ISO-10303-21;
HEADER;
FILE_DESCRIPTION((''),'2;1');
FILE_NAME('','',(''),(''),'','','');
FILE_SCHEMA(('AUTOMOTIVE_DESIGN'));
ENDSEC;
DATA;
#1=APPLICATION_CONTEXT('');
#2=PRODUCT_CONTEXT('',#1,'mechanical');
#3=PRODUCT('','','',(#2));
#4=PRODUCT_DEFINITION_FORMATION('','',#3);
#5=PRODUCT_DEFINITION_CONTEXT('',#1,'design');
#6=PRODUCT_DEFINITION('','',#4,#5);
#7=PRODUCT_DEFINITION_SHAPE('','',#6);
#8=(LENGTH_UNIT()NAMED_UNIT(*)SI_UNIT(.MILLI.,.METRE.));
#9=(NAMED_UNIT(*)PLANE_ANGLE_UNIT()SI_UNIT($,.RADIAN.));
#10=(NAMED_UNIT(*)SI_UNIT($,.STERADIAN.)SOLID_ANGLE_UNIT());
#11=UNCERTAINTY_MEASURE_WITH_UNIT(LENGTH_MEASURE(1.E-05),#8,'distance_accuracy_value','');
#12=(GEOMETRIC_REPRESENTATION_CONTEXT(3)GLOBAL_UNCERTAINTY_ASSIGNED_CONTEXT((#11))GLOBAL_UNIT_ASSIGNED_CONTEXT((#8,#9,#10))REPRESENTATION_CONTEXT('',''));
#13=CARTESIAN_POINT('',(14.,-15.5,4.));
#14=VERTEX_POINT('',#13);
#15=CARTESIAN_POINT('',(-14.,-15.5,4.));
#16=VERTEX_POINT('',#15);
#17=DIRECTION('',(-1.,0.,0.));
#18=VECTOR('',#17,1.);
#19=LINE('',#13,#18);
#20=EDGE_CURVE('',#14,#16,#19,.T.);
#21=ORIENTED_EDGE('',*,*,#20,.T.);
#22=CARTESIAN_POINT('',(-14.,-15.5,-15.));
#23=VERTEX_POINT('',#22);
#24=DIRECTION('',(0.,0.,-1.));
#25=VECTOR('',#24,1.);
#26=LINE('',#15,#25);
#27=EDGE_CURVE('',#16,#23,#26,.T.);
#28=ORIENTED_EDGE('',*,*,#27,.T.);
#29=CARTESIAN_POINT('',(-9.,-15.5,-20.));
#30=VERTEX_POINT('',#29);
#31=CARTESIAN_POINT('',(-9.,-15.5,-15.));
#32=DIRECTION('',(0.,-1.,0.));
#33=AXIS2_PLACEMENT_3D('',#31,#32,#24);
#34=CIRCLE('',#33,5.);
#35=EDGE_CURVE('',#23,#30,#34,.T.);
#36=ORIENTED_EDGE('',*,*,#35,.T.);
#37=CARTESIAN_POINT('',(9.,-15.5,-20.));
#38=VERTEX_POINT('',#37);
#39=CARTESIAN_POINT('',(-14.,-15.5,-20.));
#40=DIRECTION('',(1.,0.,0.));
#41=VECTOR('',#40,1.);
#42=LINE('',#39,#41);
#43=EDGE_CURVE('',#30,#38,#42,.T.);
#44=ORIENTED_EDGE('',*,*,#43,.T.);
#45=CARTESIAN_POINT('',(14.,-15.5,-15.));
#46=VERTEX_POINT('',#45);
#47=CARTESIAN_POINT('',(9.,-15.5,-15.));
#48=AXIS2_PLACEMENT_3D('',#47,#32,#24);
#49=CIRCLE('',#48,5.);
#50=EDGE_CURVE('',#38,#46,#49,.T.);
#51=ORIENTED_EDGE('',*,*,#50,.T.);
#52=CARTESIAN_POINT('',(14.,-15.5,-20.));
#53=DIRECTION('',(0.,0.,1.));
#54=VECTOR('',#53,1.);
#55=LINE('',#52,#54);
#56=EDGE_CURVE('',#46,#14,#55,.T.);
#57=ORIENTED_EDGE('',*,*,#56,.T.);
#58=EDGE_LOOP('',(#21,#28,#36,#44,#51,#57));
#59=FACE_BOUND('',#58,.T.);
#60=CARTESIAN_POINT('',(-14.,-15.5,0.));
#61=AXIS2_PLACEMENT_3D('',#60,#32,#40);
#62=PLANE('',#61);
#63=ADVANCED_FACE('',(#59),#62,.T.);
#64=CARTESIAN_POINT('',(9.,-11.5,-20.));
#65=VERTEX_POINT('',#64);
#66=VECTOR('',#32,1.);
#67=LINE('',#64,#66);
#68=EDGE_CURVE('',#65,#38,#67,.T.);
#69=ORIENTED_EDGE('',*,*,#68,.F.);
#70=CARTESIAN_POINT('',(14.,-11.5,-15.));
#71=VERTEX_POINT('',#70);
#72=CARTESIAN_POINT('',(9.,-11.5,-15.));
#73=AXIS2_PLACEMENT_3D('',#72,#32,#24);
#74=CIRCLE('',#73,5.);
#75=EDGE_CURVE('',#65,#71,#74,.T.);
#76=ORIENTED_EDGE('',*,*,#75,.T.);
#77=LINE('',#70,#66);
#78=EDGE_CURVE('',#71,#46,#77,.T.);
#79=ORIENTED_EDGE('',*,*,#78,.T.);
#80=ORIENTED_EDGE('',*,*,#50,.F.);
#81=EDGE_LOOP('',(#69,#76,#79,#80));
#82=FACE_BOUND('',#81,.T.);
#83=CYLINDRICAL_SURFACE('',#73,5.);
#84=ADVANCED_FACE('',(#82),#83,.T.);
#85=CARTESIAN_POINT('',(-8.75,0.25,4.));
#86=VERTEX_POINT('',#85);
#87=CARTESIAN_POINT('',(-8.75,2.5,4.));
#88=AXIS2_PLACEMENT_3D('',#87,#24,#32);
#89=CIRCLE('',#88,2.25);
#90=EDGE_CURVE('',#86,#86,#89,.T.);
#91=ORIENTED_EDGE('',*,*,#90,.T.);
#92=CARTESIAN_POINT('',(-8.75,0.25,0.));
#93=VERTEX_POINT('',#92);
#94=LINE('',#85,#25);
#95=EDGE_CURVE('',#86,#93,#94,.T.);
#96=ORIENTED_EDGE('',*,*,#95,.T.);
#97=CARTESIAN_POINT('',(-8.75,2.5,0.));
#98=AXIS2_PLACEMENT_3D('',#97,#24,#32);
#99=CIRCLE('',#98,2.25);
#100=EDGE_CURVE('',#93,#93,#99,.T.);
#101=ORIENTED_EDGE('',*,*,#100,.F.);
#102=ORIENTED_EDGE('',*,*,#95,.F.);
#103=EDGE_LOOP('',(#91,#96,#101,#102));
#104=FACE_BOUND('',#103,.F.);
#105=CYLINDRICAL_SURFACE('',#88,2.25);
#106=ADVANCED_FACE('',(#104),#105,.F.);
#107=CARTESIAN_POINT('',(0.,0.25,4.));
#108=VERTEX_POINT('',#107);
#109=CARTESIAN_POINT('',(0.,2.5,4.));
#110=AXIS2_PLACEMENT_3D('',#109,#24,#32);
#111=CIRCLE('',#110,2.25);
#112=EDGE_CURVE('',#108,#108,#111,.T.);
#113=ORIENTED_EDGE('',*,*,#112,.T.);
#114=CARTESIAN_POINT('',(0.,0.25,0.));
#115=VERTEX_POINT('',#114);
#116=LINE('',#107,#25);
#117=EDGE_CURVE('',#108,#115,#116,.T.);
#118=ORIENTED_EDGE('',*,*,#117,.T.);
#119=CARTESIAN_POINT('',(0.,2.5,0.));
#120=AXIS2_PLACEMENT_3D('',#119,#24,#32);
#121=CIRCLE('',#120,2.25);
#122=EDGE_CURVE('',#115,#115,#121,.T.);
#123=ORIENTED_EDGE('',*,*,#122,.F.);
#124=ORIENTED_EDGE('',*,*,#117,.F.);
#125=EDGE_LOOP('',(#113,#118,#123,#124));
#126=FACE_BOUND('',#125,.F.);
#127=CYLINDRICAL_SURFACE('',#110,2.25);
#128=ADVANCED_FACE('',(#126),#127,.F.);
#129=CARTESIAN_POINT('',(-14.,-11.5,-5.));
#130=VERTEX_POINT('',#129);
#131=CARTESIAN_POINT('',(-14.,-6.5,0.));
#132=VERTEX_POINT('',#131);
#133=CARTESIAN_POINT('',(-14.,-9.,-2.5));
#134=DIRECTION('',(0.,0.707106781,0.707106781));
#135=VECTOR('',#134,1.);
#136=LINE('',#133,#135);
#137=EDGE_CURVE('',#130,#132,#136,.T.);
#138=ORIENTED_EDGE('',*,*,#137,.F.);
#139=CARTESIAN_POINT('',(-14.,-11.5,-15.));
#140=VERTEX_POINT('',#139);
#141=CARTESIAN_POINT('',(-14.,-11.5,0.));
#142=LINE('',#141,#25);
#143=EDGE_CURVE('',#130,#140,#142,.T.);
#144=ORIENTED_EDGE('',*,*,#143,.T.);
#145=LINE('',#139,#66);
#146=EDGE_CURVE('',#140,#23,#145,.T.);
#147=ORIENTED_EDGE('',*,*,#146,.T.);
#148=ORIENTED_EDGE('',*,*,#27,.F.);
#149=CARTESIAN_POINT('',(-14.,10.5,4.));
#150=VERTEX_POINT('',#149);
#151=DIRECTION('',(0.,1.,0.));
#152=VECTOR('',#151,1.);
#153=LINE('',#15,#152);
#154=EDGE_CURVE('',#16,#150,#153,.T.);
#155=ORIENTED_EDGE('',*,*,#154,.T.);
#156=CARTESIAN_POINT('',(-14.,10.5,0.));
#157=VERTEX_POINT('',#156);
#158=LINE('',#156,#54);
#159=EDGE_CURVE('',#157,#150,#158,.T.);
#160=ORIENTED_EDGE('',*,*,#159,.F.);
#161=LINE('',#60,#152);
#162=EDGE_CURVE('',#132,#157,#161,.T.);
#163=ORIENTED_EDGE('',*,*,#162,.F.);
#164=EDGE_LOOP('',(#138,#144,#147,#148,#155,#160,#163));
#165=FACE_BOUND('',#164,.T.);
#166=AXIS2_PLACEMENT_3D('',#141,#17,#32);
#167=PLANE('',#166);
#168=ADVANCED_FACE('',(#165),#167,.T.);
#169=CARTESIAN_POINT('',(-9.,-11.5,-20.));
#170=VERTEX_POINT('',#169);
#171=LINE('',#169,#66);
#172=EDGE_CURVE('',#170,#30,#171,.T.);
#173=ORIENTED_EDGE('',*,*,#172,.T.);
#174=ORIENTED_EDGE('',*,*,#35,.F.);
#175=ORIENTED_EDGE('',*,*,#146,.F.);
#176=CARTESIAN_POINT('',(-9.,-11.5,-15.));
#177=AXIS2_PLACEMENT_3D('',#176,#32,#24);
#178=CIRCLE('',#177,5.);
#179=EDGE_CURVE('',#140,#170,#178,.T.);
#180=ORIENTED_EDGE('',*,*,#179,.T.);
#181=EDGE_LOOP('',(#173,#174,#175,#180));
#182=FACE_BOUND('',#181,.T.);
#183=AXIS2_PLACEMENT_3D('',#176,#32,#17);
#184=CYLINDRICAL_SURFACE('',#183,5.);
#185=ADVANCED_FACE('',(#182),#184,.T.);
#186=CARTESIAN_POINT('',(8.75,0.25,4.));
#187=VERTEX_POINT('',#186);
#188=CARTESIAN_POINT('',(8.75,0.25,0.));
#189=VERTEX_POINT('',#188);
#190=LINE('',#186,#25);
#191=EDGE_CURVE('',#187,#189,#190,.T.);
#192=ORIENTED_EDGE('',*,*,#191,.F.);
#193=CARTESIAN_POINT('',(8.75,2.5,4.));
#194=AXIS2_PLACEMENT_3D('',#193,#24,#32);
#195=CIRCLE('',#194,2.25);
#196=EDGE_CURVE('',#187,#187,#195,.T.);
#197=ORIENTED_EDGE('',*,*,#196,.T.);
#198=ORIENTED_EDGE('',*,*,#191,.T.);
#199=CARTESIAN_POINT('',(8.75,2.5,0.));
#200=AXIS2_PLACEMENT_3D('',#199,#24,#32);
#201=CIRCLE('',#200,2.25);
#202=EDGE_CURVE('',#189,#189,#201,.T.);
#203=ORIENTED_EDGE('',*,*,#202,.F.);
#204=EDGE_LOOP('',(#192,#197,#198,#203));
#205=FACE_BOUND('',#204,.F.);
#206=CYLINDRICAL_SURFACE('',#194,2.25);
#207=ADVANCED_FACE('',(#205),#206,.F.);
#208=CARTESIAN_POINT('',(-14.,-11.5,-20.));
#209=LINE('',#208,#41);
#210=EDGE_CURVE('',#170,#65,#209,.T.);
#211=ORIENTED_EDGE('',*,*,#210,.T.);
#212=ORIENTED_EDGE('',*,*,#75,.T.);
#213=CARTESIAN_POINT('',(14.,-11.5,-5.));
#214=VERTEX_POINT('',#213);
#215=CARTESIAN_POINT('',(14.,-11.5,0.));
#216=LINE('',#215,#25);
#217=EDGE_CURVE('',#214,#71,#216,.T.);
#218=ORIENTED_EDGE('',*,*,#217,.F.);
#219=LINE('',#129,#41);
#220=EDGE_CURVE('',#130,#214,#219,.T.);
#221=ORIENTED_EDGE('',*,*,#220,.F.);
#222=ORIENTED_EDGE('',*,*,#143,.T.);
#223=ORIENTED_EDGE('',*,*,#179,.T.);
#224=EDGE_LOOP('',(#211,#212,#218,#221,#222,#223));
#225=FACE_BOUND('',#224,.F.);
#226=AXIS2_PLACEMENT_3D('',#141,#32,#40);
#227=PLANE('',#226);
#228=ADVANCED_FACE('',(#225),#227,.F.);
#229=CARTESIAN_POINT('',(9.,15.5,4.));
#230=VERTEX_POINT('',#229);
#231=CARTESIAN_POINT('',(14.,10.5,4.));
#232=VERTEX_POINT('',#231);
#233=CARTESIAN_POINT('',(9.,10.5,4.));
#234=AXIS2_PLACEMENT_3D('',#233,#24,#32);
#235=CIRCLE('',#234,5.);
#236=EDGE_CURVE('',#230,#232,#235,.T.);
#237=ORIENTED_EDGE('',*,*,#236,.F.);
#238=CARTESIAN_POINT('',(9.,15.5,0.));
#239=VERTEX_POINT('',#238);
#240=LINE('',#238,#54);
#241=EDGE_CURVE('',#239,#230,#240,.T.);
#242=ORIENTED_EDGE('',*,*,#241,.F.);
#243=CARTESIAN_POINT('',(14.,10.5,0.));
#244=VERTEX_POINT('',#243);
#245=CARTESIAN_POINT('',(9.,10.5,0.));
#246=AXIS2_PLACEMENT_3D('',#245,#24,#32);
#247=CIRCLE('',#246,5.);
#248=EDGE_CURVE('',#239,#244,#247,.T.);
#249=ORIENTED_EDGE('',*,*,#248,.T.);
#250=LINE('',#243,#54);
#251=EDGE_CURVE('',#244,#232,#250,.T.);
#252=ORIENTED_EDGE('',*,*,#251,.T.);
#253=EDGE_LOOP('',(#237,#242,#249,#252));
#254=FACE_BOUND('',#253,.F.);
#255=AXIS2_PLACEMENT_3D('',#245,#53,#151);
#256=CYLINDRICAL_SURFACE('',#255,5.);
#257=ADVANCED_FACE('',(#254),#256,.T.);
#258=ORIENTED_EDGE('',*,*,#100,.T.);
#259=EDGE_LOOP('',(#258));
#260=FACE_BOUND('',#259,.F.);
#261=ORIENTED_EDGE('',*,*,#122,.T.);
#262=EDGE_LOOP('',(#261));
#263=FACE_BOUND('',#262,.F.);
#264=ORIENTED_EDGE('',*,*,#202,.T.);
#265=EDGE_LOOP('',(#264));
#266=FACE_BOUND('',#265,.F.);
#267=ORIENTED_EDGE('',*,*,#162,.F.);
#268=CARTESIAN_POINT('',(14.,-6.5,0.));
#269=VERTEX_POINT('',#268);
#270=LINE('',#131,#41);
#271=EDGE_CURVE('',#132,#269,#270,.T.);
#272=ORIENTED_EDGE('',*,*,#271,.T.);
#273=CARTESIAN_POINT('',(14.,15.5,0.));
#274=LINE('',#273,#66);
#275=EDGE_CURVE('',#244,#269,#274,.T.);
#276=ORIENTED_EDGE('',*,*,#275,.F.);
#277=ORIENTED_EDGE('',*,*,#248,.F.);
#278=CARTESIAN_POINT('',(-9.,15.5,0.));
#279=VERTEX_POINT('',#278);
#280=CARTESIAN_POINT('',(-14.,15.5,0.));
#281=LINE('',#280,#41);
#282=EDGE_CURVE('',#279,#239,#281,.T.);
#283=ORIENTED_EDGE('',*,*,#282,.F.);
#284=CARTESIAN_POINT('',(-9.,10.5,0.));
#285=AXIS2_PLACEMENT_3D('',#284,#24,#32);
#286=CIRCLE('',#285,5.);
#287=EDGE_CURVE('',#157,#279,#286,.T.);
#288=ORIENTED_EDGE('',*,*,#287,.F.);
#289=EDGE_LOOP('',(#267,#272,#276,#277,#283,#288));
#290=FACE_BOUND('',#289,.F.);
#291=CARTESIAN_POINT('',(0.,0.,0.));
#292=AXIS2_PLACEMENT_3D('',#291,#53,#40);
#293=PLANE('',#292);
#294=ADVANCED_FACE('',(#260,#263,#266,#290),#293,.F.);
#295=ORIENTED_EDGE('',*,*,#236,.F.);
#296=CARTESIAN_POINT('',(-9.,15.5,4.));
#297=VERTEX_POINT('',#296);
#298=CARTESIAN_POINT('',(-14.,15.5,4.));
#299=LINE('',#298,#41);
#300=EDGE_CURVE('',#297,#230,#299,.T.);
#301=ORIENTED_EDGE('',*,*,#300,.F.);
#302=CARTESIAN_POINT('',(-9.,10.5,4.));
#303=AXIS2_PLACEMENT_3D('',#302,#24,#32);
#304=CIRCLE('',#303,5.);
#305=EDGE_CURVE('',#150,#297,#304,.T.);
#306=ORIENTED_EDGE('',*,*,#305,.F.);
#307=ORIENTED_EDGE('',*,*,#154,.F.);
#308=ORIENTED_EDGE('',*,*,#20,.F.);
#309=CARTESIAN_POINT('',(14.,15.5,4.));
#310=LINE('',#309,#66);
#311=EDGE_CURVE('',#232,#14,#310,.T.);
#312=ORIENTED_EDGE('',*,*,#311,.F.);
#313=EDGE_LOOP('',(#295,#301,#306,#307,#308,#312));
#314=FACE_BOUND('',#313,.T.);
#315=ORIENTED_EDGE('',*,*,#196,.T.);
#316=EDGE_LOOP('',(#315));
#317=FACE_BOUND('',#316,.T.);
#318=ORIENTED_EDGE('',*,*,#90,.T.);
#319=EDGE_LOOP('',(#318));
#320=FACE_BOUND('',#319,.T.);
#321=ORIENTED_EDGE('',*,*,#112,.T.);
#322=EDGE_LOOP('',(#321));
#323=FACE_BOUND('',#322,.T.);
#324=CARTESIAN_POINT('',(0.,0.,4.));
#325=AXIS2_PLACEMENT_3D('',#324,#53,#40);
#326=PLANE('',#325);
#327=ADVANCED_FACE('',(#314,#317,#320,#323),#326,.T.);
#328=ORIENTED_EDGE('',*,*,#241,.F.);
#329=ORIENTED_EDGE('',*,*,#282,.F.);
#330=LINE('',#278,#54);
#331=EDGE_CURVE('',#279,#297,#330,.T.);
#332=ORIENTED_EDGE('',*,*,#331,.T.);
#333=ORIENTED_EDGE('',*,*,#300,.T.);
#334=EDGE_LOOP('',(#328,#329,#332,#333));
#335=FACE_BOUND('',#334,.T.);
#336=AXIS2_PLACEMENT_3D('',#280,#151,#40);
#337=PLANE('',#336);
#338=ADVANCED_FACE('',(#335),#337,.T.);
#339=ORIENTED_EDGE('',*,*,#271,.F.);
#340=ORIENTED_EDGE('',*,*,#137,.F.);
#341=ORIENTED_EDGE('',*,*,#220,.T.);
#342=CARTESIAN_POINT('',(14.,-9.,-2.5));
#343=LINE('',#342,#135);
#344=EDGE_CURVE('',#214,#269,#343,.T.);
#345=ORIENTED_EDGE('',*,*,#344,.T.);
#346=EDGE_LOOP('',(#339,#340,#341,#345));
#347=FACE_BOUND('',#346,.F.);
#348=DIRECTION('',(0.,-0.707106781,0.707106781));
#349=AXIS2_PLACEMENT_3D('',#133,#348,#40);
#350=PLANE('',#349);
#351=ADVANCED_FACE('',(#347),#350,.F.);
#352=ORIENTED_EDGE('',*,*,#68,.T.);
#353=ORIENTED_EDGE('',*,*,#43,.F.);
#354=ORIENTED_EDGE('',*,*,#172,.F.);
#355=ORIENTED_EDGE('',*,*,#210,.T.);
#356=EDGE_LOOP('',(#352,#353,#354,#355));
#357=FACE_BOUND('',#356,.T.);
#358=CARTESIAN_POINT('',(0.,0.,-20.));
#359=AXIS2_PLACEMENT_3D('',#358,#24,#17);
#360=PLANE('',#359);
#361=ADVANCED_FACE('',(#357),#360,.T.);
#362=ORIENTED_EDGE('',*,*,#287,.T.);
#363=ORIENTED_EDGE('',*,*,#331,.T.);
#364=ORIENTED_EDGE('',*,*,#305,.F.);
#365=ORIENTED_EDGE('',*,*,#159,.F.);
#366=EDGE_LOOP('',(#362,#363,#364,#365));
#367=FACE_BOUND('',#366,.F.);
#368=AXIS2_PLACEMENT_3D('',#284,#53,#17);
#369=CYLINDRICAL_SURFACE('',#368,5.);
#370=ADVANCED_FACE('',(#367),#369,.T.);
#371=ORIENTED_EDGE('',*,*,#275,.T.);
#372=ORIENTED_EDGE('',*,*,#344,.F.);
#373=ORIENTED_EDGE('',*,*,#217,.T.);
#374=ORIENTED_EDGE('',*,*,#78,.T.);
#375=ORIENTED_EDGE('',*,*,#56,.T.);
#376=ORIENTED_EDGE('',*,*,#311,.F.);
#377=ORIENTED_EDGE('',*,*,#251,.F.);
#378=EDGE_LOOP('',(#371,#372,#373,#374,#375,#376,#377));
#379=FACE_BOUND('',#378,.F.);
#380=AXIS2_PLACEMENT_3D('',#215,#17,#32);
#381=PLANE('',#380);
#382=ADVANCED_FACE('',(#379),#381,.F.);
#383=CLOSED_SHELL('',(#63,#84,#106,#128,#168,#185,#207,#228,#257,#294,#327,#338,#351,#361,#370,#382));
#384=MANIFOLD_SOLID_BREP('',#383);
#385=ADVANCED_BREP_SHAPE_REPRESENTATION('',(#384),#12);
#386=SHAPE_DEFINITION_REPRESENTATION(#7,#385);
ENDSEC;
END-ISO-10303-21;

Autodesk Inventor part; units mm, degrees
ref_plane "YZ Plane" through (0, 0, 0) normal (1, 0, 0) x (0, 1, 0)
ref_plane "XZ Plane" through (0, 0, 0) normal (0, 1, 0) x (-1, 0, 0)
ref_plane "XY Plane" through (0, 0, 0) normal (0, 0, 1) x (1, 0, 0)
sketch "Sketch1" plane through (0, 0, 0) normal (0, 0, 1) x (1, 0, 0)
  line L0 (-14, 15.5) -> (14, 15.5)
  line L1 (14, 15.5) -> (14, -15.5)
  line L2 (14, -15.5) -> (-14, -15.5)
  line L3 (-14, -15.5) -> (-14, 15.5)
  line L4 (-14, 15.5) -> (14, -15.5) construction
  line L5 (14, 15.5) -> (-14, -15.5) construction
  point P0 (0, 0)
  dimension "d0" = 28
  dimension "d1" = 31
extrude "Extrusion1" add sketch "Sketch1" along normal blind 4
sketch "Sketch2" plane through (0, 0, 4) normal (0, 0, 1) x (1, 0, 0)
  line L0 (-14, -15.5) -> (14, -15.5) projected
  point P0 (0, 2.5)
  point P1 (-8.75, 2.5)
  point P2 (8.75, 2.5)
  dimension "d7" = 8.75
  dimension "d8" = 8.75
  dimension "d19" = 18
  dimension "d20" = 18
  dimension "d21" = 18
hole "Hole1" at (0, 2.5, 4) at (-8.75, 2.5, 4) at (8.75, 2.5, 4) direction (0, 0, -1) diameter 4.5 end through all
sketch "Sketch3" plane through (0, 0, 0) normal (0, 0, -1) x (-1, 0, 0)
  line L0 (14, -15.5) -> (-14, -15.5) projected
  line L1 (14, 15.5) -> (14, -15.5) projected
  line L2 (-14, -15.5) -> (14, -15.5)
  line L3 (14, -15.5) -> (14, -11.5)
  line L4 (14, -11.5) -> (-14, -11.5)
  line L5 (-14, -11.5) -> (-14, -15.5)
  point P0 (0, 0)
  dimension "d16" = 4
extrude "Extrusion2" add sketch "Sketch3" along normal blind 20
chamfer "Chamfer1" distance 5 angle 45 1 edges at (0, -11.5, 0)
fillet "Fillet1" radius 5 4 edges at (14, 15.5, 2) (-14, 15.5, 2) (14, -13.5, -20) (-14, -13.5, -20)
equation "\"d20\" = d19"
equation "\"d21\" = d19"
properties part number "BLTouch"
